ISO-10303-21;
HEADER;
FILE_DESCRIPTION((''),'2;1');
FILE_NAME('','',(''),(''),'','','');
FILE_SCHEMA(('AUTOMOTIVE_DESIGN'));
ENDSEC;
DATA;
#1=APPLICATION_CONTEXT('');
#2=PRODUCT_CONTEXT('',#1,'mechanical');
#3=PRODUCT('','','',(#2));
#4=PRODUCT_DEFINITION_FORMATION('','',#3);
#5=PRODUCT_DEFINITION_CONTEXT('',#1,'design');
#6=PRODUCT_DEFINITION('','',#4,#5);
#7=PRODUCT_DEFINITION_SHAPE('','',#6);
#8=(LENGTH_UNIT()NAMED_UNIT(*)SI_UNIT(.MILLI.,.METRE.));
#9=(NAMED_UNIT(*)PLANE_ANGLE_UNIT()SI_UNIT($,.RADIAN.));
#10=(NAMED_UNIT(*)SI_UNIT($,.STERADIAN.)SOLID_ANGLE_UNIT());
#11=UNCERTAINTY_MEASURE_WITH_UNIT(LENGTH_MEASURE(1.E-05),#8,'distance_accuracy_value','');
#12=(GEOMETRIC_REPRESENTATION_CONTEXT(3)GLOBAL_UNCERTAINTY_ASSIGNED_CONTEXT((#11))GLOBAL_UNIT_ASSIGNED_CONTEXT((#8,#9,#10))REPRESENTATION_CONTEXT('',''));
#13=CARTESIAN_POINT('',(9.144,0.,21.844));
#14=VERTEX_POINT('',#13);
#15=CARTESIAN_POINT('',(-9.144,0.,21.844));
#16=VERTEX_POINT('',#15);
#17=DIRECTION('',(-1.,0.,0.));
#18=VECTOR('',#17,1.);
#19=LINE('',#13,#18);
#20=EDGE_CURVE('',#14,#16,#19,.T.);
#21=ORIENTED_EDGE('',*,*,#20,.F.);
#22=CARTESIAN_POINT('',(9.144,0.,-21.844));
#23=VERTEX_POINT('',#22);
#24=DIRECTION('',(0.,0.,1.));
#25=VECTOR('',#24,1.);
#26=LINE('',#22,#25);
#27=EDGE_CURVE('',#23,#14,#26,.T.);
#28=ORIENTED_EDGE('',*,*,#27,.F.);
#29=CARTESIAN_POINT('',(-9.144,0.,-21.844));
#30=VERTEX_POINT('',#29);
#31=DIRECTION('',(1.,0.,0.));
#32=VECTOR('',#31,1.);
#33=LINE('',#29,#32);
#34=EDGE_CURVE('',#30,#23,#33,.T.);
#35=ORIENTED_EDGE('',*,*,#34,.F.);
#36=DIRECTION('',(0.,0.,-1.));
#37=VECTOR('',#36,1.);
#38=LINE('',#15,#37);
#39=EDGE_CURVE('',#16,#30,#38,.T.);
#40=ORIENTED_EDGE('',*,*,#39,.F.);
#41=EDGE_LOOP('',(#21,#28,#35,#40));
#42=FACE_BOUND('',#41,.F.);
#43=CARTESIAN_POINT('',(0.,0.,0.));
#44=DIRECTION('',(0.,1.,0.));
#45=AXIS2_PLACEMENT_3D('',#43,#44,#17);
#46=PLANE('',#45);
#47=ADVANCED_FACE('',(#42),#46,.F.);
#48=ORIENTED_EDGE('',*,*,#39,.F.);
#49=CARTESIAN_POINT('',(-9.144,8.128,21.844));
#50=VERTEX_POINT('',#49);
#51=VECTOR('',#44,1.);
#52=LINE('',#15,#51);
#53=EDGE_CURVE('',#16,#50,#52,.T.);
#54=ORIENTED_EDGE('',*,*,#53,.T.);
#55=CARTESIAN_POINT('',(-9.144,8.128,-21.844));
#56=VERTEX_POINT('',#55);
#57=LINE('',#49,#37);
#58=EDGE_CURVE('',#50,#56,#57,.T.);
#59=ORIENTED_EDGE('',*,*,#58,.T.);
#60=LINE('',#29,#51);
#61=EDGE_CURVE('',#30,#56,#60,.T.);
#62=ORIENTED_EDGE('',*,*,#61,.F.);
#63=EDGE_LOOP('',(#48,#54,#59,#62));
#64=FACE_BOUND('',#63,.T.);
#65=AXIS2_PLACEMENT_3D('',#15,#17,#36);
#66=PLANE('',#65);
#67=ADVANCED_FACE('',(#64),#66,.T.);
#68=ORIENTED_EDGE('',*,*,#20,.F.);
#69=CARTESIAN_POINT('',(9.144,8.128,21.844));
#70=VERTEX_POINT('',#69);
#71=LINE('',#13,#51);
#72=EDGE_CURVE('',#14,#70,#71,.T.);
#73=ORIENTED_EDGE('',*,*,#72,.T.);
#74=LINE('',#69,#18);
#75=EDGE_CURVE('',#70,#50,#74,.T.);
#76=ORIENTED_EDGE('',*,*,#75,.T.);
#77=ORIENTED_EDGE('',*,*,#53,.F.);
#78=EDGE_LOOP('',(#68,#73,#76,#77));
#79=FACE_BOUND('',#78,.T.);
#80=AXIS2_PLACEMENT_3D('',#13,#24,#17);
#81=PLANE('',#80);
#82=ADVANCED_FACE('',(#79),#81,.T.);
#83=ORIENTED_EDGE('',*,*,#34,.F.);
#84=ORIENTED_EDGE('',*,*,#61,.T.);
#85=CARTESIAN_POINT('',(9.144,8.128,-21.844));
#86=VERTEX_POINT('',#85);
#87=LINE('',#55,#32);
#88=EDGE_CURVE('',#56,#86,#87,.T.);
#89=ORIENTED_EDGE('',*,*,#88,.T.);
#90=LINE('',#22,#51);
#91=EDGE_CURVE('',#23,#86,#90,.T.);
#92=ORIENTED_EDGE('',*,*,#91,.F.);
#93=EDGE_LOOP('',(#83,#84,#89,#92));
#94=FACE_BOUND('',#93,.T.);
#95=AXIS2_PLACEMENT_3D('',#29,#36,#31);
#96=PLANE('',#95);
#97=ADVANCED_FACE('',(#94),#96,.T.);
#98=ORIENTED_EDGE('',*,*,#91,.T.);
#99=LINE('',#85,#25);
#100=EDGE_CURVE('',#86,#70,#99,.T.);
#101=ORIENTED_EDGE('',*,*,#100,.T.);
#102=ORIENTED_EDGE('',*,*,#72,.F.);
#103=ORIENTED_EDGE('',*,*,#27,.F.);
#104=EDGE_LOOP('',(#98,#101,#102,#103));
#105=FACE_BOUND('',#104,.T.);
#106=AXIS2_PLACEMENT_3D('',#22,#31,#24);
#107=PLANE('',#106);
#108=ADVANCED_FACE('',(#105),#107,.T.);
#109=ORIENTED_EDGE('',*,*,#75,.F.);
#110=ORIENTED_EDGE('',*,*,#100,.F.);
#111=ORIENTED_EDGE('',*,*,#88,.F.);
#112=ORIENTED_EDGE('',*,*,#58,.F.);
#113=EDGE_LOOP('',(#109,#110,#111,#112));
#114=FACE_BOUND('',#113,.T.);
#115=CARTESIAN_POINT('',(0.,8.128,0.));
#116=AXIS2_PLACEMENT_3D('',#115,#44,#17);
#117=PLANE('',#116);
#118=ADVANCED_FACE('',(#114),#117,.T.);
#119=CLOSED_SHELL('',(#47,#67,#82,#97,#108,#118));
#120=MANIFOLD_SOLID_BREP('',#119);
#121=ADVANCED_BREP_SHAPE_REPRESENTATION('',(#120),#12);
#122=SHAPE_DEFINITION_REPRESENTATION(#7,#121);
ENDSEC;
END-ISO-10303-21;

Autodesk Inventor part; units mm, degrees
ref_plane "YZ Plane" through (0, 0, 0) normal (1, 0, 0) x (0, 1, 0)
ref_plane "XZ Plane" through (0, 0, 0) normal (0, 1, 0) x (-1, 0, 0)
ref_plane "XY Plane" through (0, 0, 0) normal (0, 0, 1) x (1, 0, 0)
sketch "Sketch1" plane through (0, 0, 0) normal (0, 1, 0) x (-1, 0, 0)
  line L0 (-9.144, 21.844) -> (9.144, 21.844)
  line L1 (9.144, 21.844) -> (9.144, -21.844)
  line L2 (9.144, -21.844) -> (-9.144, -21.844)
  line L3 (-9.144, -21.844) -> (-9.144, 21.844)
  line L4 (-9.144, 21.844) -> (9.144, -21.844) construction
  line L5 (9.144, 21.844) -> (-9.144, -21.844) construction
  point P0 (0, 0)
  dimension "d0" = 18.288
  dimension "d1" = 43.688
extrude "Extrusion1" add sketch "Sketch1" along normal blind 8.128
properties part number "Talon 25A ESC"
